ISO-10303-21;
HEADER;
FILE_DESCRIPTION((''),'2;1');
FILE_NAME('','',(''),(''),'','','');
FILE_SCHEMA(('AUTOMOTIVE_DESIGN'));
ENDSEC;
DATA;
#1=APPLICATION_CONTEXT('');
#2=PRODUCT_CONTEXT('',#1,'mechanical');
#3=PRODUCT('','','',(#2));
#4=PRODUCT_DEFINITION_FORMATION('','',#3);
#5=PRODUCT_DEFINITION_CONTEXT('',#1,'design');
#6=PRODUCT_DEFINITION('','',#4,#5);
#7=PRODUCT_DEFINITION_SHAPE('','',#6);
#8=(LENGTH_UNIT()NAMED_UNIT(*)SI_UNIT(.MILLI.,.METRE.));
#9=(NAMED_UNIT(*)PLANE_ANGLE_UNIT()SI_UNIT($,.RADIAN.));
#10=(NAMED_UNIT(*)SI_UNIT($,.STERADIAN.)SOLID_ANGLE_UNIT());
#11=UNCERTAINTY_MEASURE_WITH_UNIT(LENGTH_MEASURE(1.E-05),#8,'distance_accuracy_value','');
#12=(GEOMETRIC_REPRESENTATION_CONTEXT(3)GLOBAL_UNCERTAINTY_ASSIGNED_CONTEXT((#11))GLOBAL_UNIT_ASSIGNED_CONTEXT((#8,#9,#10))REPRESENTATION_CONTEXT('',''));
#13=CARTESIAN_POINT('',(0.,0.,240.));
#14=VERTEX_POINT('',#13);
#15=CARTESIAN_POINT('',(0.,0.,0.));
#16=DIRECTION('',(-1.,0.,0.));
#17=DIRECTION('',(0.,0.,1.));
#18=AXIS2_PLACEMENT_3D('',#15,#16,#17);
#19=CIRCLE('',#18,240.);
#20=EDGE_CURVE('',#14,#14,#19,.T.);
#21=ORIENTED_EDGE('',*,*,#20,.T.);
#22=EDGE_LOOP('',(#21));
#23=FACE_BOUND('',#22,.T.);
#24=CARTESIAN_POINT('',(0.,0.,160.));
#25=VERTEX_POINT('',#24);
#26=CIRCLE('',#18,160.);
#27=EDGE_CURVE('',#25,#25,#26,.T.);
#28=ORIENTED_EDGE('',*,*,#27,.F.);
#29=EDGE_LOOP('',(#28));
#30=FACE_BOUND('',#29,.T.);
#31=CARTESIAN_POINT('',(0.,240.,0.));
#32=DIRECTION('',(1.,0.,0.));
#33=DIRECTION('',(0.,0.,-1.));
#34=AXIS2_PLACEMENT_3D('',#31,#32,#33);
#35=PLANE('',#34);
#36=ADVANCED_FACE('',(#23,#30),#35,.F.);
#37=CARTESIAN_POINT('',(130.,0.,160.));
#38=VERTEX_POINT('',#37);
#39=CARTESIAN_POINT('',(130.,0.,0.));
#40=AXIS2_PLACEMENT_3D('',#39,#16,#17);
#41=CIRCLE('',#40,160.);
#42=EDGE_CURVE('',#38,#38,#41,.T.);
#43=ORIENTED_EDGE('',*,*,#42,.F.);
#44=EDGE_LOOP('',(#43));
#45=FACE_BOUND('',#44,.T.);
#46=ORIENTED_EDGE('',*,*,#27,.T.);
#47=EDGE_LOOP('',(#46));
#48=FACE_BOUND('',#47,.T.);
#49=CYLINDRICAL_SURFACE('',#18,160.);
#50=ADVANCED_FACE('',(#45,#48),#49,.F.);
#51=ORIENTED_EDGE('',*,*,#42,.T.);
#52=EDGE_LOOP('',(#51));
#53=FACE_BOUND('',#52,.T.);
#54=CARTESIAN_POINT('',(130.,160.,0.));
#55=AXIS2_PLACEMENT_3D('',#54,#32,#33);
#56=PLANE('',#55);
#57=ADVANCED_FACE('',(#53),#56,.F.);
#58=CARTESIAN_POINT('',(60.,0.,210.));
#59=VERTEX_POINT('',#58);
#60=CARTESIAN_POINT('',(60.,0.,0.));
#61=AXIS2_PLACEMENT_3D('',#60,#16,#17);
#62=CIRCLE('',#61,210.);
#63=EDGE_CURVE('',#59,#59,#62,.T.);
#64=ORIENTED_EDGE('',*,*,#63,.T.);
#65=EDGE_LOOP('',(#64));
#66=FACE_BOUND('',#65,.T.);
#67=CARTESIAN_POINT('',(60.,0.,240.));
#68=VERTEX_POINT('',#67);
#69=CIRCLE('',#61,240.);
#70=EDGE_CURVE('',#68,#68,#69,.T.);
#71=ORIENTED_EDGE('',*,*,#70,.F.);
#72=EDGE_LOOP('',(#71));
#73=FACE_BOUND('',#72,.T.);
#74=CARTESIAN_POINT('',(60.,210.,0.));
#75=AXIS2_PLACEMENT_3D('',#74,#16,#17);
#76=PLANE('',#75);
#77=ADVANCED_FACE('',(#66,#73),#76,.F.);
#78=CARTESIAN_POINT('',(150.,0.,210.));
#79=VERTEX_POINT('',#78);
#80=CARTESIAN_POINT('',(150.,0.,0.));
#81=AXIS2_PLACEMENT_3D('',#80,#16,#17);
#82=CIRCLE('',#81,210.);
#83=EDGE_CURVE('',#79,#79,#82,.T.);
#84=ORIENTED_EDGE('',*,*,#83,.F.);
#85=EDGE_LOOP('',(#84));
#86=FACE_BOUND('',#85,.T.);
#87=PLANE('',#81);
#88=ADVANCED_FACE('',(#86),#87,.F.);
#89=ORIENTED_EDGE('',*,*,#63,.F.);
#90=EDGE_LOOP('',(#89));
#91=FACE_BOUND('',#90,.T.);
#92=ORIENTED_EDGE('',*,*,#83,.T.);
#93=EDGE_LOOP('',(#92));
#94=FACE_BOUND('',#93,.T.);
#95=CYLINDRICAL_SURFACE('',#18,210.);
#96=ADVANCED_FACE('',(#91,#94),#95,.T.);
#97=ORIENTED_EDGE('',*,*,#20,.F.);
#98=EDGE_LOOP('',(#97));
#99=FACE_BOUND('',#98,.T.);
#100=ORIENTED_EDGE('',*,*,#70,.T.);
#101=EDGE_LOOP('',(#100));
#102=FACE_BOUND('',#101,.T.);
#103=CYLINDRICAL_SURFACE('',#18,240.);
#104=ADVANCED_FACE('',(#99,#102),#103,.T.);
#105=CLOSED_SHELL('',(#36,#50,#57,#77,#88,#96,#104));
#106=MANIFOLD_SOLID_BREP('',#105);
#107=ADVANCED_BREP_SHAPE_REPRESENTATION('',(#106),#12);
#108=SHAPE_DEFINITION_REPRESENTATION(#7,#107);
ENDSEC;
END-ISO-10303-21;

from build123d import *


with BuildPart() as part:
    # Esquisse1 → Révolution1 (revolve)
    with BuildSketch(Plane.XY, mode=Mode.PRIVATE) as r_volution1_sk:
        Polygon((150, 0), (150, 210), (60, 210), (60, 240), (0, 240), (0, 160), (130, 160), (130, 0), align=None)
    revolve(r_volution1_sk.sketch.rotate(Axis((0, 0, 0), (1, 0, 0)), 90), axis=Axis((0, 0, 0), (1, 0, 0)))


solid = part.part
